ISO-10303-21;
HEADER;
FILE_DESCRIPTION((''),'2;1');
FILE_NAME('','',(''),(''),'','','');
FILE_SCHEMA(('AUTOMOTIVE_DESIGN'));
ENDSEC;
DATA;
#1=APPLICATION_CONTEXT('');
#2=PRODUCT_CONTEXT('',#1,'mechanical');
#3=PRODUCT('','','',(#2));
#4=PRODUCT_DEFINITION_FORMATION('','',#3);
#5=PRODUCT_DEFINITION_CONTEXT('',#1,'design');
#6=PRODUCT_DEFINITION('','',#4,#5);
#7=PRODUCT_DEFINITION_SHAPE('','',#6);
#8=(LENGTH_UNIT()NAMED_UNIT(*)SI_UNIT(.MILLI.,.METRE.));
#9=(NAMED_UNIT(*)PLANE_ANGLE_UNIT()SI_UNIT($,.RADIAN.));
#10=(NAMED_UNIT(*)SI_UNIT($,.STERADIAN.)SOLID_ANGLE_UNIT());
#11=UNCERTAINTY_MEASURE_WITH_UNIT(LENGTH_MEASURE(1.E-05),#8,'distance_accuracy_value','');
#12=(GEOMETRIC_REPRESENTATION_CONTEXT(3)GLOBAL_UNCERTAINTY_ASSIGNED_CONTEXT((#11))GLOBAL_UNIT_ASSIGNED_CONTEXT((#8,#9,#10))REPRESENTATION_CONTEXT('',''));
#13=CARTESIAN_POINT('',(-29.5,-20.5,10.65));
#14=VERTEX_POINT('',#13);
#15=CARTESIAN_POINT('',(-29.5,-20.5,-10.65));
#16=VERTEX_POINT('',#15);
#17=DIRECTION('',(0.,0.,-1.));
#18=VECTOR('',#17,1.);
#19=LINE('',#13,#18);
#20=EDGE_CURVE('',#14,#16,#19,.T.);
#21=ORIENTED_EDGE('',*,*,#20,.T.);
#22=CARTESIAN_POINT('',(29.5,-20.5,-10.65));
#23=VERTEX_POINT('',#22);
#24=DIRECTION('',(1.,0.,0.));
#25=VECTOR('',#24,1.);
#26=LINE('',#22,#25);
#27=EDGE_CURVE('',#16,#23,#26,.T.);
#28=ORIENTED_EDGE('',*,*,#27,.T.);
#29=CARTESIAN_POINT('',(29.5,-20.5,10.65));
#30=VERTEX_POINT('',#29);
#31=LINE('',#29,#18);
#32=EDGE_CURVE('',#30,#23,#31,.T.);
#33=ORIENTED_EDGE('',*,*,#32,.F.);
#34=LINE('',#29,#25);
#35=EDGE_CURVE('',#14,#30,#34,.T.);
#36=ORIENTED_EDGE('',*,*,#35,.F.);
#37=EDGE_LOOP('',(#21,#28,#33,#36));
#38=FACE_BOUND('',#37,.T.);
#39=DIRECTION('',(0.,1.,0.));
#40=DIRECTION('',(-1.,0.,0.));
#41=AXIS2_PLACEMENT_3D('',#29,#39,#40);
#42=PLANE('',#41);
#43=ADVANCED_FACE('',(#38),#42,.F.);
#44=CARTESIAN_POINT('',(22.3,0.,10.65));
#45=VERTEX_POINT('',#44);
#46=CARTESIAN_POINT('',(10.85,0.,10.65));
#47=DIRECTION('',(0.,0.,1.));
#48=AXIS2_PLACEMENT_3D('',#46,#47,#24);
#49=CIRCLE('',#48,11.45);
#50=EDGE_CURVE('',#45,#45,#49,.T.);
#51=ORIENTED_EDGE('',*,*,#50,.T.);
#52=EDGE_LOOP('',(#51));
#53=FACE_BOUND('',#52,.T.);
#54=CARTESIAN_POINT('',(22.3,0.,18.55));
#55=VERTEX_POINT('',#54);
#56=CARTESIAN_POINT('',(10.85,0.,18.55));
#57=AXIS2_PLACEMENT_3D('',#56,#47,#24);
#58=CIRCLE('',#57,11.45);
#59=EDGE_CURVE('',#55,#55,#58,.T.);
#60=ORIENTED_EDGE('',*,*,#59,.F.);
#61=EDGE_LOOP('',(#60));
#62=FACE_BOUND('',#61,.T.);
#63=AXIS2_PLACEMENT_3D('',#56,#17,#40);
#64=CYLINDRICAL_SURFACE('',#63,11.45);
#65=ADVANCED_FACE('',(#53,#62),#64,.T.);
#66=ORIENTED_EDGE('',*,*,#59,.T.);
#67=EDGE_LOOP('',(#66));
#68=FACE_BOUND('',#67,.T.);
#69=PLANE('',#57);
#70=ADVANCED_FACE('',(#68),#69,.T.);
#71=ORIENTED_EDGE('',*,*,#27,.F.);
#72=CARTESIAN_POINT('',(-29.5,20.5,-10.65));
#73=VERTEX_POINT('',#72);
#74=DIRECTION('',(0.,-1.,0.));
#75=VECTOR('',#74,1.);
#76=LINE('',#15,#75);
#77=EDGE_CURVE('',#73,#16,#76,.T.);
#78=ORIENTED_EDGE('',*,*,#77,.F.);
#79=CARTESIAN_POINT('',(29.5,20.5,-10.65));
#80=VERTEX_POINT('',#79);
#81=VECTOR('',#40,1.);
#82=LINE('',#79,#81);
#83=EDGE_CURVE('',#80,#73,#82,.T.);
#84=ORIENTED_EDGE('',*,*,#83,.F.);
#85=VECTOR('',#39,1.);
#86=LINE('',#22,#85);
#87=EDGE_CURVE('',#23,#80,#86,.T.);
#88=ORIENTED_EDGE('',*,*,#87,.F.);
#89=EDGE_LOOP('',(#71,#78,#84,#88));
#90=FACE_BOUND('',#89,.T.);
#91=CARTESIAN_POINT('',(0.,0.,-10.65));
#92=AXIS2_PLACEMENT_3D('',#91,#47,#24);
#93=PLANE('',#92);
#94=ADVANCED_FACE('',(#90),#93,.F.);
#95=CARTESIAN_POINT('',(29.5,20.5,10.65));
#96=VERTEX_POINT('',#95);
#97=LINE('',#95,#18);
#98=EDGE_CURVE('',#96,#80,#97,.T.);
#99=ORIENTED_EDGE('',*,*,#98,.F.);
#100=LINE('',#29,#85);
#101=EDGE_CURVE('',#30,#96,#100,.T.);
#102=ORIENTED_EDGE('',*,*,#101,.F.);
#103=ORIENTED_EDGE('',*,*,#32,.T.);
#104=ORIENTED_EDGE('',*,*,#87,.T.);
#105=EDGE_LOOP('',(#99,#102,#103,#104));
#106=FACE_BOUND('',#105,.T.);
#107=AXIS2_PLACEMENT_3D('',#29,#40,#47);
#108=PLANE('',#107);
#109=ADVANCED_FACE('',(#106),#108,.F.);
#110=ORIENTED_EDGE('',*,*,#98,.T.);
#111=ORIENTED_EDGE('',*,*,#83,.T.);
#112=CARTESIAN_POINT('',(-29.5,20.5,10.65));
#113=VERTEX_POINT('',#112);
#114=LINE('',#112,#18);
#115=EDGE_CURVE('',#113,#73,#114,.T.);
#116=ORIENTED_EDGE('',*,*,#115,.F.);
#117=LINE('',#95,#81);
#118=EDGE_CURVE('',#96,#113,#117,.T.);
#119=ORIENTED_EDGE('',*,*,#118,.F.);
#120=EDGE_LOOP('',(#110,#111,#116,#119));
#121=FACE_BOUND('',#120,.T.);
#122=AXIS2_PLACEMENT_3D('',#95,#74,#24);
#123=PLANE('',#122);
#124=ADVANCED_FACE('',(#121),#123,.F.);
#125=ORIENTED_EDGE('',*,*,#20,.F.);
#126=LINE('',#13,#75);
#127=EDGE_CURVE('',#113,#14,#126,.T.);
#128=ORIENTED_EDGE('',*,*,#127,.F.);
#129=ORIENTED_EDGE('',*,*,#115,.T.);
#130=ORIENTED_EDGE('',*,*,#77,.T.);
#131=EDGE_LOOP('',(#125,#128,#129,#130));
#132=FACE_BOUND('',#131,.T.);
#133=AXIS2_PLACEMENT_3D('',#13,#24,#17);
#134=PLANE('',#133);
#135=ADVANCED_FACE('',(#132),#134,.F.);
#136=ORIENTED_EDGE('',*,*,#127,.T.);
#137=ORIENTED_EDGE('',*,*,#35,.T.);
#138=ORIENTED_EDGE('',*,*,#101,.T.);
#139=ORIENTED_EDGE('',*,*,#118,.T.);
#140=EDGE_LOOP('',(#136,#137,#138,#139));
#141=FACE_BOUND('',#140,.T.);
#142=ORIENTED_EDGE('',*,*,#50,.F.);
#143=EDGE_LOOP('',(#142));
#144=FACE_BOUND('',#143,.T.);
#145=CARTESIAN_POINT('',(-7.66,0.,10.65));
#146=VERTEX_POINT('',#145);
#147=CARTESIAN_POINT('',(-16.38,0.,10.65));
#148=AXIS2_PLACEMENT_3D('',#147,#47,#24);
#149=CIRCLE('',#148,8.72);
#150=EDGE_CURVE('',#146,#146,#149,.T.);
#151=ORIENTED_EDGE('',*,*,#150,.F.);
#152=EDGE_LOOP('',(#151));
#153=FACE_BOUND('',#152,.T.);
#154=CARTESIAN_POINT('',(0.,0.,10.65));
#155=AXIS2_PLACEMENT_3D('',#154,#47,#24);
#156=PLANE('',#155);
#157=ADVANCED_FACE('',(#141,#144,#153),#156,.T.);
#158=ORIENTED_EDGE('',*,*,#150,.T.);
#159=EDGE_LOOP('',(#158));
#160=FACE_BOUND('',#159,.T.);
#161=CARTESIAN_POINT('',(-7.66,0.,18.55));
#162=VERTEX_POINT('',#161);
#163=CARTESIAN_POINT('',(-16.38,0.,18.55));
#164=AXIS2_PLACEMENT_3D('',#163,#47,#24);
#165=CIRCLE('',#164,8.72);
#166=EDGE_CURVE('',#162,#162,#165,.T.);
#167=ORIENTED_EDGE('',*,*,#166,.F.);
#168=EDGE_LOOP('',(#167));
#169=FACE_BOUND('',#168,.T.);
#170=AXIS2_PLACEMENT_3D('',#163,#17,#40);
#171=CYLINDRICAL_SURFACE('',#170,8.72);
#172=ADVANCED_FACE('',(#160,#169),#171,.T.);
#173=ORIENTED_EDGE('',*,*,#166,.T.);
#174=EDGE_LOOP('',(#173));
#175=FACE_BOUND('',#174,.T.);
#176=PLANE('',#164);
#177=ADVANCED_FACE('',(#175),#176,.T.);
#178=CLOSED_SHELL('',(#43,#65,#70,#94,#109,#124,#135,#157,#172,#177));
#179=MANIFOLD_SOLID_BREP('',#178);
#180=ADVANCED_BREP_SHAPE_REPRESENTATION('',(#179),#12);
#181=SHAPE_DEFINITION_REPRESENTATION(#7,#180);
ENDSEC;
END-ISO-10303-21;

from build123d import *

# Parameters (mm, degrees)
ESBO_O1_W                = 59
ESBO_O1_H                = 41
RESSALTO_EXTRUS_O1_DEPTH = 10.65
ESBO_O2_R                = 11.45
ESBO_O2_R_2              = 8.72
RESSALTO_EXTRUS_O2_DEPTH = 7.9


with BuildPart() as part:
    # Esboço1 → Ressalto-extrusão1 (new, symmetric)
    with BuildSketch(Plane.XY):
        Rectangle(ESBO_O1_W, ESBO_O1_H)
    extrude(amount=RESSALTO_EXTRUS_O1_DEPTH, both=True)

    # Esboço2 → Ressalto-extrusão2 (add)
    with BuildSketch(Plane.XY.offset(10.65)):
        with Locations((10.85, 0)):
            Circle(ESBO_O2_R)
        with Locations((-16.38, 0)):
            Circle(ESBO_O2_R_2)
    extrude(amount=RESSALTO_EXTRUS_O2_DEPTH)


solid = part.part
